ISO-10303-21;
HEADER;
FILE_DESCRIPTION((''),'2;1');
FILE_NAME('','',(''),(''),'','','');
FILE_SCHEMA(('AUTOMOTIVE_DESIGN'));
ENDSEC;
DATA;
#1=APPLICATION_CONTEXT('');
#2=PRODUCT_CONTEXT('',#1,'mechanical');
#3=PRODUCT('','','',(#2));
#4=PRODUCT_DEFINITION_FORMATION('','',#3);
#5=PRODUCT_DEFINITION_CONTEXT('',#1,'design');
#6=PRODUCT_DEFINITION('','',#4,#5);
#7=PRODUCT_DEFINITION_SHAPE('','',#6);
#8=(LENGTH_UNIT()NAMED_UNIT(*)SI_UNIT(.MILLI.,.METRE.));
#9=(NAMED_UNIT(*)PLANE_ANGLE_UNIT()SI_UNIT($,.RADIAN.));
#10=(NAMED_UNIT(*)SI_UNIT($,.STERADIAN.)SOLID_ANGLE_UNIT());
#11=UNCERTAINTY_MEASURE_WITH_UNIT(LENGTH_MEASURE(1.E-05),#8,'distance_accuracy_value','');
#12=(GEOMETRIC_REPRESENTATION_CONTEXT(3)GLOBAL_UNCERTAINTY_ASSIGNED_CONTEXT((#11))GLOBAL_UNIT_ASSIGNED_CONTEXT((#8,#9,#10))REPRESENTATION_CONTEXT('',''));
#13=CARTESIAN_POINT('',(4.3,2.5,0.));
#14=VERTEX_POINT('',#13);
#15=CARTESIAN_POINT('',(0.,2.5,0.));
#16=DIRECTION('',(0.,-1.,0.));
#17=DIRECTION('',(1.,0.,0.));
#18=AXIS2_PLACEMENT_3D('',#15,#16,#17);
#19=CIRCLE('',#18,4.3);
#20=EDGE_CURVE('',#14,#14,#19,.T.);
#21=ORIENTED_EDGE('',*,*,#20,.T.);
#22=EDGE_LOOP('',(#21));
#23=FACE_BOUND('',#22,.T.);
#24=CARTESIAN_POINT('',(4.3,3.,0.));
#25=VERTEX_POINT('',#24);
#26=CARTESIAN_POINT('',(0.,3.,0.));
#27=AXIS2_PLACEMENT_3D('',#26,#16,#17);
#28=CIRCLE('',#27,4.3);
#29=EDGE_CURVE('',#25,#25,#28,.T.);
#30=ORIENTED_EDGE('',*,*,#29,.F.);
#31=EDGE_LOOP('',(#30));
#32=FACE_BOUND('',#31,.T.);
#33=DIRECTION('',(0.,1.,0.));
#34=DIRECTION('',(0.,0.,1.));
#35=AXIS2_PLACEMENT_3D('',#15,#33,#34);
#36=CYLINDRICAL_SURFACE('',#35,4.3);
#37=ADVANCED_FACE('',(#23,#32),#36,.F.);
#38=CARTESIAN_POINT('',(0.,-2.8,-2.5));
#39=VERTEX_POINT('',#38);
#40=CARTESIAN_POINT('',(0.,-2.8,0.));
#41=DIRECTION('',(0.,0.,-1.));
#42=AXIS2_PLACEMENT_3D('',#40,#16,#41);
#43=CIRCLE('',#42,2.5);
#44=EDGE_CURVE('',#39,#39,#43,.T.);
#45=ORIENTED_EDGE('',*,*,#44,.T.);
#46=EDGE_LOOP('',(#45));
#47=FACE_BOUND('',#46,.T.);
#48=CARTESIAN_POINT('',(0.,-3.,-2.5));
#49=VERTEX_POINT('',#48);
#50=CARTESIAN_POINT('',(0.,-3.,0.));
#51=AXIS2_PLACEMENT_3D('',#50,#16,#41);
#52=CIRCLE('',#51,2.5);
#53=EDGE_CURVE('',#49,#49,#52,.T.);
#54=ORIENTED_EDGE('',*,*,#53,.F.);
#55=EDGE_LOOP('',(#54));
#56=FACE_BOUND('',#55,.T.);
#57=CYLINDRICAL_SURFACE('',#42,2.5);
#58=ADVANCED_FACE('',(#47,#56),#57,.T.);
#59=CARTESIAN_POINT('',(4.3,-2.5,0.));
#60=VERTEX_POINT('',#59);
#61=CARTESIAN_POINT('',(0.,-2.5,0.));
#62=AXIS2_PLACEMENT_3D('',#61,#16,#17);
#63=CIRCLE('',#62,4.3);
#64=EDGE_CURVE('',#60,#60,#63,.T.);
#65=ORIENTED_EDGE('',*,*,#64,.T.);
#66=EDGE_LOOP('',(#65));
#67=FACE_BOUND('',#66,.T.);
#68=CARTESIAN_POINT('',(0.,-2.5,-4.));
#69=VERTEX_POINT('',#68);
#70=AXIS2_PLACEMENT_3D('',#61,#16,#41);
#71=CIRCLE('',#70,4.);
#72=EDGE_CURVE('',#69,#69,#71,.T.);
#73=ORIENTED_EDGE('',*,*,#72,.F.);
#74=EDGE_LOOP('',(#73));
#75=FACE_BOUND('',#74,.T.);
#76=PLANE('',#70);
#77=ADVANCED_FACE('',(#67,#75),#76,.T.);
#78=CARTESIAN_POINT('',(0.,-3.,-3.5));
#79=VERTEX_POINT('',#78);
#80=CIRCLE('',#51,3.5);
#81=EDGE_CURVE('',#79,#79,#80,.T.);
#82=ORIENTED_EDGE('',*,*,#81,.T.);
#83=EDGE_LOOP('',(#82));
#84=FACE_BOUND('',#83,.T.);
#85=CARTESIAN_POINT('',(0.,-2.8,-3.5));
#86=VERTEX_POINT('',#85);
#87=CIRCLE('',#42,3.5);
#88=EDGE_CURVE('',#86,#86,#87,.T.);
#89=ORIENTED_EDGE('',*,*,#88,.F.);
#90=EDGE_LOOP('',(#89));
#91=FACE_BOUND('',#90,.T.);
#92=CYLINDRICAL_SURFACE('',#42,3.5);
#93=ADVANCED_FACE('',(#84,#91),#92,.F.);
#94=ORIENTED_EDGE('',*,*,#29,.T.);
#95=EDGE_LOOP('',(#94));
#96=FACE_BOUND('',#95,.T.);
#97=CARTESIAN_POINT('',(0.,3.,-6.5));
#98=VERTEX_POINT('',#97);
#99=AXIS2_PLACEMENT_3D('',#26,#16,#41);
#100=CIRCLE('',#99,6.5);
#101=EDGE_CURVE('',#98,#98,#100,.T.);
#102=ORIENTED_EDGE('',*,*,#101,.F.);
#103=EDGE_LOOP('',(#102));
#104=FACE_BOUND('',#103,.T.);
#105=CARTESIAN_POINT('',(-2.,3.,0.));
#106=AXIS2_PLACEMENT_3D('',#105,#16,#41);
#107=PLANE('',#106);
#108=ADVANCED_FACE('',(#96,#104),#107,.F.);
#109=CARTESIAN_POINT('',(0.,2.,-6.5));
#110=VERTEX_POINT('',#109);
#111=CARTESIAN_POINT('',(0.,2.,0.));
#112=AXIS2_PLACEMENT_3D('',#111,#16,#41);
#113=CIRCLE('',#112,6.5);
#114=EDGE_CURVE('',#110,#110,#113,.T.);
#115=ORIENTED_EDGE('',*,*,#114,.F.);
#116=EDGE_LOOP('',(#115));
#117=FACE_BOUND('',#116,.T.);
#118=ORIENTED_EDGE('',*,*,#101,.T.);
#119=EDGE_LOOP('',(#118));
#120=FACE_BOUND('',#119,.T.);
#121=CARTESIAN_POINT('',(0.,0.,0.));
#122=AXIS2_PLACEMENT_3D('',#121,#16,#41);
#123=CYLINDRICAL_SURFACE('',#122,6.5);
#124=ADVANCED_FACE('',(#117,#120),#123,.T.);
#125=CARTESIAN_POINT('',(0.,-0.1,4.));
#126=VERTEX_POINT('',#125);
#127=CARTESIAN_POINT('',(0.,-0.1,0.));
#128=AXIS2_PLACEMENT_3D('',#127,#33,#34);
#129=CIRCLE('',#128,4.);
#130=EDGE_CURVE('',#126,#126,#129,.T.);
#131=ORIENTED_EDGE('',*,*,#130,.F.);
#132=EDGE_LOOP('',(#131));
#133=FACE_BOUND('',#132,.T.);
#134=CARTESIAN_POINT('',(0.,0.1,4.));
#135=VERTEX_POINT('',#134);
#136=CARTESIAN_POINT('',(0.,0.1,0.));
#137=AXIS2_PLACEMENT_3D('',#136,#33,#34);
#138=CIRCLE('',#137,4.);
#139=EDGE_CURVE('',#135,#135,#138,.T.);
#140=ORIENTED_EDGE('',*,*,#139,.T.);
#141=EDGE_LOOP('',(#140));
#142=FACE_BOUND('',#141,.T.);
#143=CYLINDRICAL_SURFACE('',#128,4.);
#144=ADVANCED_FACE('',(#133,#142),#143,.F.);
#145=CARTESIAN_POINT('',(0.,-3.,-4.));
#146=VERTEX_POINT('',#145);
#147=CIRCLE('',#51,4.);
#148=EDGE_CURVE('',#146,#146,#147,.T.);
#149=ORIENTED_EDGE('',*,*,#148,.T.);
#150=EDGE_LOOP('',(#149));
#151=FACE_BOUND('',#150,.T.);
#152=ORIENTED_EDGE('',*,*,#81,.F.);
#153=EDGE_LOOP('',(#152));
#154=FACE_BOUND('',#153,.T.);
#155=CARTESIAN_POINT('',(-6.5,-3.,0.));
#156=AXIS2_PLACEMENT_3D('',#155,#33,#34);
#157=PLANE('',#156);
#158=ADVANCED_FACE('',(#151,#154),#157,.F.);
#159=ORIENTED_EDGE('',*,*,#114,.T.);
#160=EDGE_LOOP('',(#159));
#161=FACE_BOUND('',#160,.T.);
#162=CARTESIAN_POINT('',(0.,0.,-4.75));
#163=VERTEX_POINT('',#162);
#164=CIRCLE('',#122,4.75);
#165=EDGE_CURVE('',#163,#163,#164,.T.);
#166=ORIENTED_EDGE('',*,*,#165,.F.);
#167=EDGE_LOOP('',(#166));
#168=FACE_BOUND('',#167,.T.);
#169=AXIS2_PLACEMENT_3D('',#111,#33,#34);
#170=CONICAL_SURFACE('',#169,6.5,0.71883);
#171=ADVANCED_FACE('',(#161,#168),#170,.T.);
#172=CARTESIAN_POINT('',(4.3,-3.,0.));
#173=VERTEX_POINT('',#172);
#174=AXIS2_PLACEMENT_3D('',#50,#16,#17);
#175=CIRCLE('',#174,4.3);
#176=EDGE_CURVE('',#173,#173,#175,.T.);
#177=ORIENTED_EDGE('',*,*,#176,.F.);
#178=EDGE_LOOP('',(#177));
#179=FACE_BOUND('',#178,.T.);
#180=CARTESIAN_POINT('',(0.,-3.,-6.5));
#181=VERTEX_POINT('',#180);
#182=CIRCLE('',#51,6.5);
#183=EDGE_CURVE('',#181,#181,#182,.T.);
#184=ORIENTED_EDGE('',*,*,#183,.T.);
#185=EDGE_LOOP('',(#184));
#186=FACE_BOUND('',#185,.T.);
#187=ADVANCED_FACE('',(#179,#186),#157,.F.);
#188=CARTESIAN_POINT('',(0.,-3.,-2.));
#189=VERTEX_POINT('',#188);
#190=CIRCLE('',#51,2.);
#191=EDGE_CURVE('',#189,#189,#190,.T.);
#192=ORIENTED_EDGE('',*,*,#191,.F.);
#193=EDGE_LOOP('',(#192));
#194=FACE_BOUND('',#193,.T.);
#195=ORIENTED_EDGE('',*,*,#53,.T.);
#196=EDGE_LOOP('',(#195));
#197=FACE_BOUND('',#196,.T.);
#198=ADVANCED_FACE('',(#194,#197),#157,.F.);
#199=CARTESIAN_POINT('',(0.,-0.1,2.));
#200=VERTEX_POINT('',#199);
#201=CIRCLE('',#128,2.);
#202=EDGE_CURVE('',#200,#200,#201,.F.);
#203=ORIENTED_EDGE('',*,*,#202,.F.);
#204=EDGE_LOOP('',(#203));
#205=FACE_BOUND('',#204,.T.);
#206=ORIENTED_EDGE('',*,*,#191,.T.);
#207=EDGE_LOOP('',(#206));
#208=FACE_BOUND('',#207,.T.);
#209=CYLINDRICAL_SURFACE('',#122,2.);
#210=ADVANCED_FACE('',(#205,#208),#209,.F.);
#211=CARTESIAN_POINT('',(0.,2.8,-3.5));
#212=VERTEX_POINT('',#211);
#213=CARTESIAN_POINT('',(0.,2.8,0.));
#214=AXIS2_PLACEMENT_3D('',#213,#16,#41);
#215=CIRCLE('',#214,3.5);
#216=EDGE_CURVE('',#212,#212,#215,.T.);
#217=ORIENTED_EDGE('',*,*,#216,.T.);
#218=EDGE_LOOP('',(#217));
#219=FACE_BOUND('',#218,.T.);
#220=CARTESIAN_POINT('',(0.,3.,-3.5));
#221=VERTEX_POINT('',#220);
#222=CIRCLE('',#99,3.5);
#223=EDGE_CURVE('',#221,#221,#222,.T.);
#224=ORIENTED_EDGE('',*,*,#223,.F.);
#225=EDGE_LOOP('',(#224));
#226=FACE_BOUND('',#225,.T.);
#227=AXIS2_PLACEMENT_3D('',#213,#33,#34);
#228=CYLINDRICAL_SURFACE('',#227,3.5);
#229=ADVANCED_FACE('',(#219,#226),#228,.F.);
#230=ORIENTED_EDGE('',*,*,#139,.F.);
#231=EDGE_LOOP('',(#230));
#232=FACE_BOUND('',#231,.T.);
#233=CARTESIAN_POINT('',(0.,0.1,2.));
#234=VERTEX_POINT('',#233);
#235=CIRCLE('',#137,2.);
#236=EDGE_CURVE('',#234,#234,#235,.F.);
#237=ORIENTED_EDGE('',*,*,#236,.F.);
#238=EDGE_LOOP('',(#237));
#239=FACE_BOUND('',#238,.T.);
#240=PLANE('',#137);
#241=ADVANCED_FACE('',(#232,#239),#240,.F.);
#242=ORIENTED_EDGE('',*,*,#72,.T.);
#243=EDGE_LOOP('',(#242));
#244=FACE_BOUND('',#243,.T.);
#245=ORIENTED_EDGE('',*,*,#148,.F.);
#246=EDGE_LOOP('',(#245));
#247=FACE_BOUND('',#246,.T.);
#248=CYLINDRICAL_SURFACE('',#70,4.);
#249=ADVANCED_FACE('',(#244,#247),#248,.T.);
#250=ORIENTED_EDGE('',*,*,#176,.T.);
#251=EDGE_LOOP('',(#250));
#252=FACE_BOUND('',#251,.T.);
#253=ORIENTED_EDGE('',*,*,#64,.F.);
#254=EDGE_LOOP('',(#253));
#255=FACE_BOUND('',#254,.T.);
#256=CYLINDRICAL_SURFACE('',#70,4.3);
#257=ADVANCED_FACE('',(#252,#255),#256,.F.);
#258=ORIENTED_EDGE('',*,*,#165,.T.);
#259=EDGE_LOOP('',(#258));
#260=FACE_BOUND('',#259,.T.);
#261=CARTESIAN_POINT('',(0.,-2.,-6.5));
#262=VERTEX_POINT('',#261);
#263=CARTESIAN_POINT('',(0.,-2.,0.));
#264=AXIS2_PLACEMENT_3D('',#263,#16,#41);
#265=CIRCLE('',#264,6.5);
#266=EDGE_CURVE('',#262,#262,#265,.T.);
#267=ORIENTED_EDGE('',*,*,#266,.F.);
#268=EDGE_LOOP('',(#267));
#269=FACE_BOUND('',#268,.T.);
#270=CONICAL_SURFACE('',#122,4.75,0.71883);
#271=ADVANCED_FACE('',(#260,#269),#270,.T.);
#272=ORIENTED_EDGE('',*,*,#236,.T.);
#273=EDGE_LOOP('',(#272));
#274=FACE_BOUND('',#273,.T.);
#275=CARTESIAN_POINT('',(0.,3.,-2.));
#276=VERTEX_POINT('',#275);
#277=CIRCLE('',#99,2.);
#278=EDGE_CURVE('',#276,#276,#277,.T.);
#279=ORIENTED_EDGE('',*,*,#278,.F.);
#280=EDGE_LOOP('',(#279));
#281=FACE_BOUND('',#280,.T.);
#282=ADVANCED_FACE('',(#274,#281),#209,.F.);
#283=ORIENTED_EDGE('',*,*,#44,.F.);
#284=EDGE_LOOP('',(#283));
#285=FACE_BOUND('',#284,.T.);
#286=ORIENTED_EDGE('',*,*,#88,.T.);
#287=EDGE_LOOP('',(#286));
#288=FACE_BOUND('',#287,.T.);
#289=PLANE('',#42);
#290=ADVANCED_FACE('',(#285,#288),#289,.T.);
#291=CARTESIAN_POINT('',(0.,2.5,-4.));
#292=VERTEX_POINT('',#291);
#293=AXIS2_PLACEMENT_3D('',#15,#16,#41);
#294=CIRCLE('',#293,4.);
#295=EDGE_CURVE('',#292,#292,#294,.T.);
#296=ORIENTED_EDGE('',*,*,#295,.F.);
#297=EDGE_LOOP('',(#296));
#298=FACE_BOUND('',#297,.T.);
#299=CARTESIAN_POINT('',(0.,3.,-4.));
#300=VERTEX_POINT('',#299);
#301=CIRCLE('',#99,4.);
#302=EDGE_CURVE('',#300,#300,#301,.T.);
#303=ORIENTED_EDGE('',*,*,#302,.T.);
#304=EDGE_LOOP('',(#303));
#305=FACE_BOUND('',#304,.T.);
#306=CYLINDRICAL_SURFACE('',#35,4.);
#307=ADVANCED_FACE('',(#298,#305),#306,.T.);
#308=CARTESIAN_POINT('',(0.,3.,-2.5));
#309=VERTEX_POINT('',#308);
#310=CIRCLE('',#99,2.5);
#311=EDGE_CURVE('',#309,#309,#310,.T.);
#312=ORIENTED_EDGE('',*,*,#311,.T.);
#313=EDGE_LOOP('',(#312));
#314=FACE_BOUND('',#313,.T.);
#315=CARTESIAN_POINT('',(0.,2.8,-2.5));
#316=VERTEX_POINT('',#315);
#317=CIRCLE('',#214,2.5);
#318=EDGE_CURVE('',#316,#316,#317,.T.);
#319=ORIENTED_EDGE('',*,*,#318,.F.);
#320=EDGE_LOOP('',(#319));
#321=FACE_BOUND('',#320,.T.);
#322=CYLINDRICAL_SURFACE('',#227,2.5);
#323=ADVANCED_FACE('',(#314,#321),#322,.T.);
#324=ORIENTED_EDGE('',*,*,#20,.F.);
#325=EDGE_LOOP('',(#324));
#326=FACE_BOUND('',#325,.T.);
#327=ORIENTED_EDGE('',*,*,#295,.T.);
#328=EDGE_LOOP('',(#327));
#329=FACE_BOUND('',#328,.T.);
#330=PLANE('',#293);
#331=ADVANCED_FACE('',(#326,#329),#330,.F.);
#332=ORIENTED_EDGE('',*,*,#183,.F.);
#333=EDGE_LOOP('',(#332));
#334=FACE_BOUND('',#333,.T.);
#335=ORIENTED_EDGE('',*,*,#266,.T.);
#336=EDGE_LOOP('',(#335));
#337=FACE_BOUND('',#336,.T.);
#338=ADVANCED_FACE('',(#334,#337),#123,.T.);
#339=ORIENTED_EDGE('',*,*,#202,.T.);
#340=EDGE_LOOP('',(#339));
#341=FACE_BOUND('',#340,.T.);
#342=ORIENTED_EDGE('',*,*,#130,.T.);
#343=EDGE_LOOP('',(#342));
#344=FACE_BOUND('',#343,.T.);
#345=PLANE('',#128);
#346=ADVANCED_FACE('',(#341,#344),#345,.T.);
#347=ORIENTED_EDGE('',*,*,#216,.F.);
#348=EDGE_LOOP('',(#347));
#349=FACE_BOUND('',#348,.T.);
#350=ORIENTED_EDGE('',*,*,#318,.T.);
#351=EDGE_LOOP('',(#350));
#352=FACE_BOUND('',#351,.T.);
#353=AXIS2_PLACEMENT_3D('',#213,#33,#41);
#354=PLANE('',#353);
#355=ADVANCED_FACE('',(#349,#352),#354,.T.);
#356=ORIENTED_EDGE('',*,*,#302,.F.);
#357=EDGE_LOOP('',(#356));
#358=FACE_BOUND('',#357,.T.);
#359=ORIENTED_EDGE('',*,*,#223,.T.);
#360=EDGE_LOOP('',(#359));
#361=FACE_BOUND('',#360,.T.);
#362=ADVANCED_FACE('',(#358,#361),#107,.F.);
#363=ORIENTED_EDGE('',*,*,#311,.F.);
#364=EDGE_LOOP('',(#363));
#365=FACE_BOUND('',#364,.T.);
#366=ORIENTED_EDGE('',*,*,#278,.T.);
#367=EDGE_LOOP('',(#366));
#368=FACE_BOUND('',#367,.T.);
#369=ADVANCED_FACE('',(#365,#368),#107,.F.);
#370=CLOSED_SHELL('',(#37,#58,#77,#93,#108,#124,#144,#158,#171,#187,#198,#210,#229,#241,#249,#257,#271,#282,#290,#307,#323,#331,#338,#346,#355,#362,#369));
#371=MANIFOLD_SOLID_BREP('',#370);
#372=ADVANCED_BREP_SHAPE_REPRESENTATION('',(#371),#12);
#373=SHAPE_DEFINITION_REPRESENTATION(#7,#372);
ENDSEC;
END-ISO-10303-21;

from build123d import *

# Parameters (mm, degrees)
SKETCH2_R               = 4.3
SKETCH2_R_2             = 4
CUT_EXTRUDE_THIN1_DEPTH = 0.5
SKETCH3_R               = 3.5
SKETCH3_R_2             = 2.5
CUT_EXTRUDE1_DEPTH      = 0.2
SKETCH4_R               = 4
CUT_EXTRUDE2_DEPTH      = 0.1


with BuildPart() as part:
    # Sketch1 → Revolve1 (revolve)
    with BuildSketch(Plane.XY, mode=Mode.PRIVATE) as revolve1_sk:
        Polygon((-6.5, 3), (-6.5, 2), (-4.75, 0), (-6.5, -2), (-6.5, -3), (-2, -3), (-2, 3), align=None)
    revolve(revolve1_sk.sketch.rotate(Axis((0, 0, 0), (0, 1, 0)), 270), axis=Axis((0, 0, 0), (0, 1, 0)))

    # Sketch2 → Cut-Extrude-Thin1 (cut)
    with BuildSketch(Plane.XZ.offset(3)):
        Circle(SKETCH2_R)
        Circle(SKETCH2_R_2, mode=Mode.SUBTRACT)
    cut_extrude_thin1 = extrude(amount=-CUT_EXTRUDE_THIN1_DEPTH, mode=Mode.SUBTRACT)

    # Sketch3 → Cut-Extrude1 (cut)
    with BuildSketch(Plane.XZ.offset(3)):
        with Locations(Location((0, 0, 0), (0, 0, 270))):
            Circle(SKETCH3_R)
        with Locations(Location((0, 0, 0), (0, 0, 270))):
            Circle(SKETCH3_R_2, mode=Mode.SUBTRACT)
    cut_extrude1 = extrude(amount=-CUT_EXTRUDE1_DEPTH, mode=Mode.SUBTRACT)

    # Mirror1: Cut-Extrude-Thin1, Cut-Extrude1 across plane
    add(cut_extrude_thin1.mirror(Plane.ZX), mode=Mode.SUBTRACT)
    add(cut_extrude1.mirror(Plane.ZX), mode=Mode.SUBTRACT)

    # Sketch4 → Cut-Extrude2 (cut, symmetric)
    with BuildSketch(Plane(origin=(0, 0, 0), x_dir=(1, 0, 0), z_dir=(0, 1, 0))):
        with Locations(Location((0, 0, 0), (0, 0, 90))):
            Circle(SKETCH4_R)
    extrude(amount=CUT_EXTRUDE2_DEPTH, both=True, mode=Mode.SUBTRACT)


solid = part.part
